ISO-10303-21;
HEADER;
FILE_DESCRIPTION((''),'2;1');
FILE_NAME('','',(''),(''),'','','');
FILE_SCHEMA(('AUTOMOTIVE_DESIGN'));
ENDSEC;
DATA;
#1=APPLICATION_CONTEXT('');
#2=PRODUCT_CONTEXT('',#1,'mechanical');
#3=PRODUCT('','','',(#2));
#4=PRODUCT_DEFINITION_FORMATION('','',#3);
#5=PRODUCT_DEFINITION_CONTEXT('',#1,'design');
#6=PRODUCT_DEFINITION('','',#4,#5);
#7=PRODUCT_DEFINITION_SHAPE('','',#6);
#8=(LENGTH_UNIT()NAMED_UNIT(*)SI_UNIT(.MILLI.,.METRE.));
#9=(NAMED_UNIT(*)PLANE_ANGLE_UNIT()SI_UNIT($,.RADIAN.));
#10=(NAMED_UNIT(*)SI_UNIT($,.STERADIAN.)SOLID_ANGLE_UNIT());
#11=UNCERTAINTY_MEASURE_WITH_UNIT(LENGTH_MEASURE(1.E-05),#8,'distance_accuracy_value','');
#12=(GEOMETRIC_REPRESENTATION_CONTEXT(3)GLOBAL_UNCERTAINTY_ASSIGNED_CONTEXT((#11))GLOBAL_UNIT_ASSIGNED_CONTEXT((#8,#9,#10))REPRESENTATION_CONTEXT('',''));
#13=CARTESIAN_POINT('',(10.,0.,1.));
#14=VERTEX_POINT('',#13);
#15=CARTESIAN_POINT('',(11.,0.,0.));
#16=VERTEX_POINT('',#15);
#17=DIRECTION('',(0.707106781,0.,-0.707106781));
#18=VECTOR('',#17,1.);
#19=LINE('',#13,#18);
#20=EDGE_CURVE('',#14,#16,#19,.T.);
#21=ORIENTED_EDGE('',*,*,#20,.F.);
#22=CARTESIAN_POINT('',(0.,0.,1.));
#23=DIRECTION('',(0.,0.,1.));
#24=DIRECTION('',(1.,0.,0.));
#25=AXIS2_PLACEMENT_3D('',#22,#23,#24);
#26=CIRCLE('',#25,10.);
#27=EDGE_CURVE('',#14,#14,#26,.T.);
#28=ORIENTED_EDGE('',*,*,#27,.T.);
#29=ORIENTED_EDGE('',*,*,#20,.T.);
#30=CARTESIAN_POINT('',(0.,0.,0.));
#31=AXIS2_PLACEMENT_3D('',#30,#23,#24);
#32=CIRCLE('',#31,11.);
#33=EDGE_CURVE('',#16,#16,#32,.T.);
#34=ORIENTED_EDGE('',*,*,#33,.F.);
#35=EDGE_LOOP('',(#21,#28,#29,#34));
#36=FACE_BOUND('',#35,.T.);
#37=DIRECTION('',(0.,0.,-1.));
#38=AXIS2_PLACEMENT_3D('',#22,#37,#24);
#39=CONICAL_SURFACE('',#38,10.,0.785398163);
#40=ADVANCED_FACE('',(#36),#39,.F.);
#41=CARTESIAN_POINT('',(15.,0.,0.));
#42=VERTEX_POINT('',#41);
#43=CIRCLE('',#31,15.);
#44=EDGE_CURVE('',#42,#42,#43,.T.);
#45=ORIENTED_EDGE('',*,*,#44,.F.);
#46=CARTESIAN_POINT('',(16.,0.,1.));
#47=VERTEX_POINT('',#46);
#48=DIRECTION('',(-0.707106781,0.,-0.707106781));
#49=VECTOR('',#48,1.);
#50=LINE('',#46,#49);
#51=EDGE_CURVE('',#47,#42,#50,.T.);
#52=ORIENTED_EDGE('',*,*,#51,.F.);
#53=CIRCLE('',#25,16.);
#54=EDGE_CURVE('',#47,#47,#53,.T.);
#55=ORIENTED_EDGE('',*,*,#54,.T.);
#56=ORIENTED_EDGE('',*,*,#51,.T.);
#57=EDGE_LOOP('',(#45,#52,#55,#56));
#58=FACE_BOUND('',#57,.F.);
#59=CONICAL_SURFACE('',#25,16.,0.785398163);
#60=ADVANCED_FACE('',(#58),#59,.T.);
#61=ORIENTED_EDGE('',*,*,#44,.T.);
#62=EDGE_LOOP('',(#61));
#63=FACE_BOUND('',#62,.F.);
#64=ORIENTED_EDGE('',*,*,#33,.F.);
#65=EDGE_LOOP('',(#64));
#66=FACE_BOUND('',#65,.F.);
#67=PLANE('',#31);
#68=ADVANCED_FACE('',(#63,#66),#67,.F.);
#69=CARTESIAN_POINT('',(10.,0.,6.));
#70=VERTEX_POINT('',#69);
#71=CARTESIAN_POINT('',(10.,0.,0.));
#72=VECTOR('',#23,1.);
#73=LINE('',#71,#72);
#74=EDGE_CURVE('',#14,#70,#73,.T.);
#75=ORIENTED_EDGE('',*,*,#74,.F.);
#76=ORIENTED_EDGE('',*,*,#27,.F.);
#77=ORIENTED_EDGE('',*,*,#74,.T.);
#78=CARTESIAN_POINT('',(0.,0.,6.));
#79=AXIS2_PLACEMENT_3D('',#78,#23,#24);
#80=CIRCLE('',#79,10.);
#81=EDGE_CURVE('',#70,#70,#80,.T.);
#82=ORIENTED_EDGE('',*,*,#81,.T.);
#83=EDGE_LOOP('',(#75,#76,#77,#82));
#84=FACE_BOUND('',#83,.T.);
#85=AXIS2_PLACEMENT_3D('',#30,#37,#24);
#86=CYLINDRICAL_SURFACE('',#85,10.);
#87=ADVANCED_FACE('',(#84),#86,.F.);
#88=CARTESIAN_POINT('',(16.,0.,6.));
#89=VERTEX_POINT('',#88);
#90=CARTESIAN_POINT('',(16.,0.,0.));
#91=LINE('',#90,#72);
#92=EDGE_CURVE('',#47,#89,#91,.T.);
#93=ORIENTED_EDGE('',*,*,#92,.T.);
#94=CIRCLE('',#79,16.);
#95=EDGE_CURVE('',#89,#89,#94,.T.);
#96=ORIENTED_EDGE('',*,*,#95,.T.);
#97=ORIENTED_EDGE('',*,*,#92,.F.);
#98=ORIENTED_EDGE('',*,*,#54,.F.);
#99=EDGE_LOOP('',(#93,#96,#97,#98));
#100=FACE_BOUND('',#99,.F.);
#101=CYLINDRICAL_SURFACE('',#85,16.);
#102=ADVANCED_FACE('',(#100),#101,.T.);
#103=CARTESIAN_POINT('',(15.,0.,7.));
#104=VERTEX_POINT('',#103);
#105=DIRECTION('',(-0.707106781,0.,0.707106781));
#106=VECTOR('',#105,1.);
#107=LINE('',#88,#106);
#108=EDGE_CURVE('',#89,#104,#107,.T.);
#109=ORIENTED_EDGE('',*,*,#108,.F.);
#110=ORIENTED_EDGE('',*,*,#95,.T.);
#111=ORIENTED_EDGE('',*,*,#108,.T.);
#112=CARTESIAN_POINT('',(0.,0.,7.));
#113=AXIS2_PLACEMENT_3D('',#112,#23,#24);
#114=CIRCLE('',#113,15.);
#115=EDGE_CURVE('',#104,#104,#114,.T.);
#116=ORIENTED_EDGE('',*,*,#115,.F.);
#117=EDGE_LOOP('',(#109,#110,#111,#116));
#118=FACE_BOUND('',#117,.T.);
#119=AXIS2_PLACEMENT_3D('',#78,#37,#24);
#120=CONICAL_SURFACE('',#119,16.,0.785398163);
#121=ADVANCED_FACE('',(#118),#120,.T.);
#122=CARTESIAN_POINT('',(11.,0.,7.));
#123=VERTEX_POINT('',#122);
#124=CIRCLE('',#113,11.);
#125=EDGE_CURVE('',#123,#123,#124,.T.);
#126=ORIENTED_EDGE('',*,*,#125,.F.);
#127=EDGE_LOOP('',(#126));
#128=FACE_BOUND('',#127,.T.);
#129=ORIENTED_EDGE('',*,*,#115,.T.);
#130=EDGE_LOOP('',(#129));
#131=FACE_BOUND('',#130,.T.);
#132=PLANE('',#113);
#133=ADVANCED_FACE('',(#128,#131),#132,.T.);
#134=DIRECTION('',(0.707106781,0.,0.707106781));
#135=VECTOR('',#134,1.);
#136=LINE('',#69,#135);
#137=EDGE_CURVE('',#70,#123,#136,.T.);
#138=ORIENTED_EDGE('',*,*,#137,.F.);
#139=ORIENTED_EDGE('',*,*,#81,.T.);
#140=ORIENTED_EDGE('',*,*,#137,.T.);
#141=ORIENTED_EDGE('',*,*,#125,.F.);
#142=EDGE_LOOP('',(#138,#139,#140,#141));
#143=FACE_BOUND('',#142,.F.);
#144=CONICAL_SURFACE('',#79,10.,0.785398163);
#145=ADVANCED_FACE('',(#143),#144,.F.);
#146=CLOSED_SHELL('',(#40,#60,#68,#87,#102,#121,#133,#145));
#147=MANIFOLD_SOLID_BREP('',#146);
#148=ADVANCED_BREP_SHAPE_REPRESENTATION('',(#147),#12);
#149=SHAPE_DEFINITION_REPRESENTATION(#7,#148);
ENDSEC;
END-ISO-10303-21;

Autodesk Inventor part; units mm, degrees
ref_plane "YZ Plane" through (0, 0, 0) normal (1, 0, 0) x (0, 1, 0)
ref_plane "XZ Plane" through (0, 0, 0) normal (0, 1, 0) x (-1, 0, 0)
ref_plane "XY Plane" through (0, 0, 0) normal (0, 0, 1) x (1, 0, 0)
sketch "스케치1" plane through (0, 0, 0) normal (0, 0, 1) x (1, 0, 0)
  circle A0 centre (0, 0) radius 16
  circle A1 centre (0, 0) radius 10
  dimension "d0" = 32
  dimension "d1" = 20
extrude "돌출1" add sketch "스케치1" along normal blind 7
chamfer "모따기1" distance 1 angle 45 4 edges at (-16, 0, 0) (-16, 0, 7) (-10, 0, 0) (-10, 0, 7)
properties part number "6804zz"
